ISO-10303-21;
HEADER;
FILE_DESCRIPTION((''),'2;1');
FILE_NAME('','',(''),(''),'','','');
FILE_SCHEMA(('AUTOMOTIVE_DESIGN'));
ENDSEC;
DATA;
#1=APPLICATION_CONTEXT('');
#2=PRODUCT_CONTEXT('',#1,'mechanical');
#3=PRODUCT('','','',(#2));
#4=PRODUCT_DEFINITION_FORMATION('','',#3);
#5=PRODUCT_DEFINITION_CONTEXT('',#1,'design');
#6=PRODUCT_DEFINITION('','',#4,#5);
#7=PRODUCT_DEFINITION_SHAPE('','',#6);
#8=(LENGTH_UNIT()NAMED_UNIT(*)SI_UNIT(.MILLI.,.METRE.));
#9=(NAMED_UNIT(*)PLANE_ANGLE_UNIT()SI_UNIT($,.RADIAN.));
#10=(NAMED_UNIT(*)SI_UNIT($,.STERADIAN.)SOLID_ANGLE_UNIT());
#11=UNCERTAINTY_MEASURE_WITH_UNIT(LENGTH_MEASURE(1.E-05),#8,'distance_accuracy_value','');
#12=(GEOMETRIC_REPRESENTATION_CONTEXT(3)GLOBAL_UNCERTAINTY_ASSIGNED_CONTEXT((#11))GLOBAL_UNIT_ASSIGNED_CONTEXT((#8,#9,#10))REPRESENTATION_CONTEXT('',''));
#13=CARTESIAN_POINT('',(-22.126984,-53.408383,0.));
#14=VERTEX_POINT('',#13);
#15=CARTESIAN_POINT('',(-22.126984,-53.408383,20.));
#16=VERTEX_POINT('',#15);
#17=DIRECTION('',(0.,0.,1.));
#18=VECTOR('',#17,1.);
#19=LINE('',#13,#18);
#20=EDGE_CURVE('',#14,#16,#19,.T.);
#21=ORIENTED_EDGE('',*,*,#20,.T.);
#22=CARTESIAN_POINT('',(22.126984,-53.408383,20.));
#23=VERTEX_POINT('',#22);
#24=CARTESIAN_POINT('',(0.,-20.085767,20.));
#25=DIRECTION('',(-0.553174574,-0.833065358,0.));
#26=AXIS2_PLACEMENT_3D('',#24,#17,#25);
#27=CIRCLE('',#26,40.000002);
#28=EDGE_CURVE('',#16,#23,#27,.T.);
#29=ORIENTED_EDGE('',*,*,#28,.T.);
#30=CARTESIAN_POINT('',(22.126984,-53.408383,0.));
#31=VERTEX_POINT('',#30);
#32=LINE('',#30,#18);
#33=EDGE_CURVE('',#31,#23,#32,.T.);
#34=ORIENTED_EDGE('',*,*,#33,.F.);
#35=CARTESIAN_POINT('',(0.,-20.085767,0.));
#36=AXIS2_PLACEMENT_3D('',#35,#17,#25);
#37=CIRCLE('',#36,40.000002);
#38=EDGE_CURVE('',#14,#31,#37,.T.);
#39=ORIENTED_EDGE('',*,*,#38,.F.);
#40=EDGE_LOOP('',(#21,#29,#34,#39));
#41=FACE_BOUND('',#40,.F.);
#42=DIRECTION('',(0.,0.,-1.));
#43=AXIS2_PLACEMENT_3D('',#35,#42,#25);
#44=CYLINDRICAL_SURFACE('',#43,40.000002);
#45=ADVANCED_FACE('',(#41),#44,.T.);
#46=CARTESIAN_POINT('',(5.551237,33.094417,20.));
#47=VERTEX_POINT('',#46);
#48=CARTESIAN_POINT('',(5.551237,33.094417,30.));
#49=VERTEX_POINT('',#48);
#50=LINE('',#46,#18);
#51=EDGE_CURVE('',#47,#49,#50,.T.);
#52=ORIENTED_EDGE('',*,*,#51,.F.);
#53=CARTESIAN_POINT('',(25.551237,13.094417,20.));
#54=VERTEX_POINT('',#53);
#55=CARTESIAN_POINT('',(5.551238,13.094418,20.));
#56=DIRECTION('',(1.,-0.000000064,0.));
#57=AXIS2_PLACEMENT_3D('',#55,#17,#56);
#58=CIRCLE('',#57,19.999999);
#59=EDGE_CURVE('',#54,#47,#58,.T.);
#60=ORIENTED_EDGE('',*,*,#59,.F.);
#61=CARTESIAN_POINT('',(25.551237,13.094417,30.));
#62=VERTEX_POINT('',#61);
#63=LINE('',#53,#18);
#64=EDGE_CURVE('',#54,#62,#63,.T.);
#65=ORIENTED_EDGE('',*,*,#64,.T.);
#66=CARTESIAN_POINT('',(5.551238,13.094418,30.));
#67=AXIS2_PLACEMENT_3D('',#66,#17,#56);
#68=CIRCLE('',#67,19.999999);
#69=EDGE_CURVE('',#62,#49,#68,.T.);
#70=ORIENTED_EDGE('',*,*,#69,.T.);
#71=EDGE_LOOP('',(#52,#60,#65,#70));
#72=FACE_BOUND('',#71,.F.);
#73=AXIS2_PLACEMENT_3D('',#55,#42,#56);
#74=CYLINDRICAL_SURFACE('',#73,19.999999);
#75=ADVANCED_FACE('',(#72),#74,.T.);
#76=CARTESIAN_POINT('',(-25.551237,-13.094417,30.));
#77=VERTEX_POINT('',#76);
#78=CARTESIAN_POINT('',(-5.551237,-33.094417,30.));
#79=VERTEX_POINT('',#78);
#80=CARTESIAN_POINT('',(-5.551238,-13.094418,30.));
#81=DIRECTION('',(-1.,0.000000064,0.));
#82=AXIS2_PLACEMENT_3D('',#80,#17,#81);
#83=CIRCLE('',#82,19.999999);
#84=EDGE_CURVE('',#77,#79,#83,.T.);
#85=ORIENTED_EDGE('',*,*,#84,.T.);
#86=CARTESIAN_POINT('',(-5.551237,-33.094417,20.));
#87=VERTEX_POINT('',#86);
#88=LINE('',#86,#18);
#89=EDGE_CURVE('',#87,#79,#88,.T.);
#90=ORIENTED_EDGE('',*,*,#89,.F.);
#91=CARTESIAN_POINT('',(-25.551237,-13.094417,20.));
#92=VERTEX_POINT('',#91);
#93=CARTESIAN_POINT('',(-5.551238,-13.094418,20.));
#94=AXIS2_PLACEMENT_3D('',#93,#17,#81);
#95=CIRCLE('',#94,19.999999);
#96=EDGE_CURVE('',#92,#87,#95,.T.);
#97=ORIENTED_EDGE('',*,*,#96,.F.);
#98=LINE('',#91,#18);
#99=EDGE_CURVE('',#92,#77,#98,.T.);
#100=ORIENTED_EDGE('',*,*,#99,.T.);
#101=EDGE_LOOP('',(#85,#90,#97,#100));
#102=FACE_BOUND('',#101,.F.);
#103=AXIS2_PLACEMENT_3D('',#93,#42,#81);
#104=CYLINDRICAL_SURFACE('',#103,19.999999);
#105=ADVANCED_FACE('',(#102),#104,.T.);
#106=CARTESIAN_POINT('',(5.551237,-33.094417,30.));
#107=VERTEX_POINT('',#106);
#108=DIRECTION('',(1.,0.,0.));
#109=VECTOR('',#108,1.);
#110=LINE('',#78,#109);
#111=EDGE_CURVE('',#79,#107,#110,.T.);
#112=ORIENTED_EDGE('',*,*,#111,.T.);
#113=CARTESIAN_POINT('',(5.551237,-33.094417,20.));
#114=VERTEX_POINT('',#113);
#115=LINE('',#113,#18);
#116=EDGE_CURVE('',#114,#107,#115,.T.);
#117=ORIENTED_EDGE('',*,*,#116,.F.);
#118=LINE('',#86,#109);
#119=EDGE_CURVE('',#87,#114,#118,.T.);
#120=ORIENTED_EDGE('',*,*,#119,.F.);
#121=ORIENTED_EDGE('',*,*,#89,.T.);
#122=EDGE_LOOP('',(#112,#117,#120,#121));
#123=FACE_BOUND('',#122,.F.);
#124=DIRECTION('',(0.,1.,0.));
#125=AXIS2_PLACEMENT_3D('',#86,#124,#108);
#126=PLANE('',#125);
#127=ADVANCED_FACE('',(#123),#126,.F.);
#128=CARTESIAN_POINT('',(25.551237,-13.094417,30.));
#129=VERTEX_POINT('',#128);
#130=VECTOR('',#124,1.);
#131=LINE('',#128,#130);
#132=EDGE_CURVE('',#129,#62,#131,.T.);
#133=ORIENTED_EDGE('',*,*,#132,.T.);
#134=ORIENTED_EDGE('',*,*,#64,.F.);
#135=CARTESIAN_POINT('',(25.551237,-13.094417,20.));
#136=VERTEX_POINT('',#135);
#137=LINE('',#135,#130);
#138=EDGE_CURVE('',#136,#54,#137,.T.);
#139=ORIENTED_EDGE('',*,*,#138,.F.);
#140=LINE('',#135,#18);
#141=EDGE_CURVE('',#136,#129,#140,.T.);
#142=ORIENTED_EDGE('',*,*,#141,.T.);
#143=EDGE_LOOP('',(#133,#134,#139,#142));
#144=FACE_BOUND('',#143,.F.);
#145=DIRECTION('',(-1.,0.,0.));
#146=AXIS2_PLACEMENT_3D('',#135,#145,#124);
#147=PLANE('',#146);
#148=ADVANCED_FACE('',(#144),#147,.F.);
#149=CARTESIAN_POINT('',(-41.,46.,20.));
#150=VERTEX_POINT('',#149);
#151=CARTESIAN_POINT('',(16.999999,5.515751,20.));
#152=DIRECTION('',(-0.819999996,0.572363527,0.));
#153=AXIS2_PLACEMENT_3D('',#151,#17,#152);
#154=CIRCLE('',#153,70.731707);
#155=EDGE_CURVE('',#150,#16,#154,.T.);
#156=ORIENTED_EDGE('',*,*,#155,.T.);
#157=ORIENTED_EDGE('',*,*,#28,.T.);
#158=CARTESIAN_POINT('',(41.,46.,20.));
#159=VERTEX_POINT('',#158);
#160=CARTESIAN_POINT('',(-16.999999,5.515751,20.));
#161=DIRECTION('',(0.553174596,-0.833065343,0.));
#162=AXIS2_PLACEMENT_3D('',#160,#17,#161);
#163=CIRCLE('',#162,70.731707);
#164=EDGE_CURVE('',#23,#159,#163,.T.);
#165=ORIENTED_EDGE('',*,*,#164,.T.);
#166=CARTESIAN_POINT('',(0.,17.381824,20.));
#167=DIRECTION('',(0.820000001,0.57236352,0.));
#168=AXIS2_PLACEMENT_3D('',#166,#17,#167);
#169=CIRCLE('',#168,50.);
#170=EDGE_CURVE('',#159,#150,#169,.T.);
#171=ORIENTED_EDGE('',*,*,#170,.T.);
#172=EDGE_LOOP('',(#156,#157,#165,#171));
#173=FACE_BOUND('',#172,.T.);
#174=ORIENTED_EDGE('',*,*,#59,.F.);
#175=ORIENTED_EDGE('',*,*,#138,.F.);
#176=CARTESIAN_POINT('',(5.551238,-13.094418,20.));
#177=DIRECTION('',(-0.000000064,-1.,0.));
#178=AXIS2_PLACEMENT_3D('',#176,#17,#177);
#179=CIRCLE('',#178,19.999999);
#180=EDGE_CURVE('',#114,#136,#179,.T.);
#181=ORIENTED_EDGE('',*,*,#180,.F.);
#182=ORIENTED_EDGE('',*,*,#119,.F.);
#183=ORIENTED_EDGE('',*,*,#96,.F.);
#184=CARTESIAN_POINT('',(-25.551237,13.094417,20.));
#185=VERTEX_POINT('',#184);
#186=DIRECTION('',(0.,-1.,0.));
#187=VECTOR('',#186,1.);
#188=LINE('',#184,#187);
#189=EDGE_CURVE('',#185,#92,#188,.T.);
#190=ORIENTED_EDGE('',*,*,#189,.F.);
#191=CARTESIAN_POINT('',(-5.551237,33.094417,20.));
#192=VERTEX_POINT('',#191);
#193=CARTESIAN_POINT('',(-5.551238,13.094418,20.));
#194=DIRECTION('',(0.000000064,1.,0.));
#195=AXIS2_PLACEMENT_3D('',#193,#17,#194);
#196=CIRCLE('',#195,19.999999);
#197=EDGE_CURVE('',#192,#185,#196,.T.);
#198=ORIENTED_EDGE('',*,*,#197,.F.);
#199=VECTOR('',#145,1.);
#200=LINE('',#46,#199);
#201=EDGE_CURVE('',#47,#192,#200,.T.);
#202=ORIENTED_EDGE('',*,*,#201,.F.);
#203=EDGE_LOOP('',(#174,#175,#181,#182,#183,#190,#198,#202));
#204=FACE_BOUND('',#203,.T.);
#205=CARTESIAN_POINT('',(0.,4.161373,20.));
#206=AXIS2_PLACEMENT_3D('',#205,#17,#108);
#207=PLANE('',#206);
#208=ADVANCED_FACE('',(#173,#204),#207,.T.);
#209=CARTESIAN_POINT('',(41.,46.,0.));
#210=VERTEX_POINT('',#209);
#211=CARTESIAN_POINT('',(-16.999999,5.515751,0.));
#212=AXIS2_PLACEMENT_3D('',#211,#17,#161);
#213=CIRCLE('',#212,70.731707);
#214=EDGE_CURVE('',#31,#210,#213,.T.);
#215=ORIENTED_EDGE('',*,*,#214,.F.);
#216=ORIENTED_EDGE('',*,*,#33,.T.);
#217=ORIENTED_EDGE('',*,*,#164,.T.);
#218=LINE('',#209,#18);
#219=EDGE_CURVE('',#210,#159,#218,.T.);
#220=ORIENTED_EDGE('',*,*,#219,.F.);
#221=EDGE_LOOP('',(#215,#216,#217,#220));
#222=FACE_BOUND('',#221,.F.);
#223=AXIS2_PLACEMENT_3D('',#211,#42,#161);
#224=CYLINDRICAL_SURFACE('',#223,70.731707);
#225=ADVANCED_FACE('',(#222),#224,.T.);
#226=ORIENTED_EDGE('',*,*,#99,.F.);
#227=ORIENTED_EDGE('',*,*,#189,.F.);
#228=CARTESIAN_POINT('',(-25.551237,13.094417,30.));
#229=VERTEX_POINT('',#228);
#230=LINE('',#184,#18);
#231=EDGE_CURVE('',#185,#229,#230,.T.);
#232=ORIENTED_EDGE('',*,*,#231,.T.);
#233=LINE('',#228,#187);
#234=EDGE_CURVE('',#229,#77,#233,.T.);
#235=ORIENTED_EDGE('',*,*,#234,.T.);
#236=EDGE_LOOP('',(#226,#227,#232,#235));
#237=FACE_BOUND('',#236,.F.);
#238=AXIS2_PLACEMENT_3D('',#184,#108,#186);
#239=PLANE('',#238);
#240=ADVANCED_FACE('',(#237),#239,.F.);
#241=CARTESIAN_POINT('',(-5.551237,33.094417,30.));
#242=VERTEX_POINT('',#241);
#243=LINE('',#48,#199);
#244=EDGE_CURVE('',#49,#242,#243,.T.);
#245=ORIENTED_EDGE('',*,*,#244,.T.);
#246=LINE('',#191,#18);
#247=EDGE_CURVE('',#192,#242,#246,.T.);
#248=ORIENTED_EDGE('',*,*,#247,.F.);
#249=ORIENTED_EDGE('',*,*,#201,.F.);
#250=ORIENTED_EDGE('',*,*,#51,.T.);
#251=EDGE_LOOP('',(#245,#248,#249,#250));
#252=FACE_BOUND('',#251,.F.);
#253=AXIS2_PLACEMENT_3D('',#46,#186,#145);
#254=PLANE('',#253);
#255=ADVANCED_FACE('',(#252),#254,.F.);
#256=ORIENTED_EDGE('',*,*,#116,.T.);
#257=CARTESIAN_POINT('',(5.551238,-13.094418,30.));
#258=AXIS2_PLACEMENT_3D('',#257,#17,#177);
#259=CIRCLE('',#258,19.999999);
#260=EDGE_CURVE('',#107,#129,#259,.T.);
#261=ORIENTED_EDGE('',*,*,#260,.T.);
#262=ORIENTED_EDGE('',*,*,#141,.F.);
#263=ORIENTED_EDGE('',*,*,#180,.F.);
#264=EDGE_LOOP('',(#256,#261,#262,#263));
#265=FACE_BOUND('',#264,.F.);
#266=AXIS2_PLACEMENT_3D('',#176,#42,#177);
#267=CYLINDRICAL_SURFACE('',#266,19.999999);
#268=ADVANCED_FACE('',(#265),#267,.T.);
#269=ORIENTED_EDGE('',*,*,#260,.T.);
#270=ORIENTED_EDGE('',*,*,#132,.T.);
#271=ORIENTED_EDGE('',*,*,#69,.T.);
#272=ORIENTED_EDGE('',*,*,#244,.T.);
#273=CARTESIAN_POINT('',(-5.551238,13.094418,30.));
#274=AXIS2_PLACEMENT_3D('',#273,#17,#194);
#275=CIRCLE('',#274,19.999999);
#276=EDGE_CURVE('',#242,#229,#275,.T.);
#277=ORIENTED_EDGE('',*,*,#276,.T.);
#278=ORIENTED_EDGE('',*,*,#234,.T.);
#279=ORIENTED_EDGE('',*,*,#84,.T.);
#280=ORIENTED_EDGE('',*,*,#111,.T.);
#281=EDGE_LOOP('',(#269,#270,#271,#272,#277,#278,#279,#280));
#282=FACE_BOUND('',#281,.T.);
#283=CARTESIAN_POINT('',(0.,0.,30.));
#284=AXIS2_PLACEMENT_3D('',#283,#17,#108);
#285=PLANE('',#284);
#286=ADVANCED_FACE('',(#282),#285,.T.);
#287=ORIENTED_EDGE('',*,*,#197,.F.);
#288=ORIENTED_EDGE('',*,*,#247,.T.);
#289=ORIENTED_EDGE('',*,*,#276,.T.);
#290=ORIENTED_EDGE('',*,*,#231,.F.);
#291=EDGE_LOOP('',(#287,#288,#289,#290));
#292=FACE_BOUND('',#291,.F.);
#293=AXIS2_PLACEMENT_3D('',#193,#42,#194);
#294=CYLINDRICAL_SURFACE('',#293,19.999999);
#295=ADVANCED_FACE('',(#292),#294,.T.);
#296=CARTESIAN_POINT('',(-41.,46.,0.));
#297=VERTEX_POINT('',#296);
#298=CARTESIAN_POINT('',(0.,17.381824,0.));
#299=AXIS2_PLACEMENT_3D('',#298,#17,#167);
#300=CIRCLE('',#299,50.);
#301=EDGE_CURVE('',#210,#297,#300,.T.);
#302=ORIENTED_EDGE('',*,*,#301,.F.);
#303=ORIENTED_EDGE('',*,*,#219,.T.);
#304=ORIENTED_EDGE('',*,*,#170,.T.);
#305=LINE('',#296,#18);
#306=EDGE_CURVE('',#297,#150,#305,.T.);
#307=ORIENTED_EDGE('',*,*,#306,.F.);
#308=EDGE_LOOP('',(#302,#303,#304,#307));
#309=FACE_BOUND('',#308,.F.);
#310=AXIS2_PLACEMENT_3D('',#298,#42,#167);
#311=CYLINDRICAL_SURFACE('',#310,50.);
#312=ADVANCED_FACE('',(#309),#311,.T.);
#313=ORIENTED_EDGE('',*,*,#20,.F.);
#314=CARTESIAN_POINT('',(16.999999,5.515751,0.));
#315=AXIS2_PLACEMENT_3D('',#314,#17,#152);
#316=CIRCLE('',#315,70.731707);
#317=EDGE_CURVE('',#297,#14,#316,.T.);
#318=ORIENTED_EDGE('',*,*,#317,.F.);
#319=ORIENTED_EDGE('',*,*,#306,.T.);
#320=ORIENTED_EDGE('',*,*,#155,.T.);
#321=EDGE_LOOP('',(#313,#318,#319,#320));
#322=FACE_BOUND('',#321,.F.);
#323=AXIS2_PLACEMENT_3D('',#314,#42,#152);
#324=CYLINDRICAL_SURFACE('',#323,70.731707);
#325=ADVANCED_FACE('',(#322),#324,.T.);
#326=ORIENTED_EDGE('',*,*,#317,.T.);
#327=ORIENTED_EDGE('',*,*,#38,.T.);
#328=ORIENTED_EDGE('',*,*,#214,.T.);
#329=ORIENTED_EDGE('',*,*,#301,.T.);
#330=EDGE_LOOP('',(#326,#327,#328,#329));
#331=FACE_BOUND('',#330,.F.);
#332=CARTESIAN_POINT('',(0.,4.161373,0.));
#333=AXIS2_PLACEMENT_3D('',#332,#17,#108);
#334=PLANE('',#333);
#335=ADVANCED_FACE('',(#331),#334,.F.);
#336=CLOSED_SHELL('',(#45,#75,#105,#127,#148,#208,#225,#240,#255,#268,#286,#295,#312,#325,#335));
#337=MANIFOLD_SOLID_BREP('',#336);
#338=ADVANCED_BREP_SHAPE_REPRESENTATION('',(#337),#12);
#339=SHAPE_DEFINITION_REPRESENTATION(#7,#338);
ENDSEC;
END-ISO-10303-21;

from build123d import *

# Parameters (mm, degrees)
F1_DEPTH = 20
F3_DEPTH = 10


with BuildPart() as f1:
    # F0 (on Top) → F1 (new body)
    with BuildSketch(Plane.XY):
        with BuildLine():
            ThreePointArc((-22.126984, -53.408383), (0, -60.085769), (22.126984, -53.408383))
            ThreePointArc((22.126984, -53.408383), (52.490427, -7.67724), (41, 46))
            ThreePointArc((41, 46), (0, 67.381824), (-41, 46))
            ThreePointArc((-41, 46), (-52.490427, -7.67724), (-22.126984, -53.408383))
        make_face()
    extrude(amount=F1_DEPTH)

    # F2 (on face) → F3 (join)
    with BuildSketch(Plane.XY.offset(20)):
        with BuildLine():
            ThreePointArc((25.551237, 13.094417), (19.693373, 27.236553), (5.551237, 33.094417))
            Line((5.551237, 33.094417), (-5.551237, 33.094417))
            ThreePointArc((-5.551237, 33.094417), (-19.693373, 27.236553), (-25.551237, 13.094417))
            Line((-25.551237, 13.094417), (-25.551237, -13.094417))
            ThreePointArc((-25.551237, -13.094417), (-19.693373, -27.236553), (-5.551237, -33.094417))
            Line((-5.551237, -33.094417), (5.551237, -33.094417))
            ThreePointArc((5.551237, -33.094417), (19.693373, -27.236553), (25.551237, -13.094417))
            Line((25.551237, -13.094417), (25.551237, 13.094417))
        make_face()
    extrude(amount=F3_DEPTH)


solid = f1.part
